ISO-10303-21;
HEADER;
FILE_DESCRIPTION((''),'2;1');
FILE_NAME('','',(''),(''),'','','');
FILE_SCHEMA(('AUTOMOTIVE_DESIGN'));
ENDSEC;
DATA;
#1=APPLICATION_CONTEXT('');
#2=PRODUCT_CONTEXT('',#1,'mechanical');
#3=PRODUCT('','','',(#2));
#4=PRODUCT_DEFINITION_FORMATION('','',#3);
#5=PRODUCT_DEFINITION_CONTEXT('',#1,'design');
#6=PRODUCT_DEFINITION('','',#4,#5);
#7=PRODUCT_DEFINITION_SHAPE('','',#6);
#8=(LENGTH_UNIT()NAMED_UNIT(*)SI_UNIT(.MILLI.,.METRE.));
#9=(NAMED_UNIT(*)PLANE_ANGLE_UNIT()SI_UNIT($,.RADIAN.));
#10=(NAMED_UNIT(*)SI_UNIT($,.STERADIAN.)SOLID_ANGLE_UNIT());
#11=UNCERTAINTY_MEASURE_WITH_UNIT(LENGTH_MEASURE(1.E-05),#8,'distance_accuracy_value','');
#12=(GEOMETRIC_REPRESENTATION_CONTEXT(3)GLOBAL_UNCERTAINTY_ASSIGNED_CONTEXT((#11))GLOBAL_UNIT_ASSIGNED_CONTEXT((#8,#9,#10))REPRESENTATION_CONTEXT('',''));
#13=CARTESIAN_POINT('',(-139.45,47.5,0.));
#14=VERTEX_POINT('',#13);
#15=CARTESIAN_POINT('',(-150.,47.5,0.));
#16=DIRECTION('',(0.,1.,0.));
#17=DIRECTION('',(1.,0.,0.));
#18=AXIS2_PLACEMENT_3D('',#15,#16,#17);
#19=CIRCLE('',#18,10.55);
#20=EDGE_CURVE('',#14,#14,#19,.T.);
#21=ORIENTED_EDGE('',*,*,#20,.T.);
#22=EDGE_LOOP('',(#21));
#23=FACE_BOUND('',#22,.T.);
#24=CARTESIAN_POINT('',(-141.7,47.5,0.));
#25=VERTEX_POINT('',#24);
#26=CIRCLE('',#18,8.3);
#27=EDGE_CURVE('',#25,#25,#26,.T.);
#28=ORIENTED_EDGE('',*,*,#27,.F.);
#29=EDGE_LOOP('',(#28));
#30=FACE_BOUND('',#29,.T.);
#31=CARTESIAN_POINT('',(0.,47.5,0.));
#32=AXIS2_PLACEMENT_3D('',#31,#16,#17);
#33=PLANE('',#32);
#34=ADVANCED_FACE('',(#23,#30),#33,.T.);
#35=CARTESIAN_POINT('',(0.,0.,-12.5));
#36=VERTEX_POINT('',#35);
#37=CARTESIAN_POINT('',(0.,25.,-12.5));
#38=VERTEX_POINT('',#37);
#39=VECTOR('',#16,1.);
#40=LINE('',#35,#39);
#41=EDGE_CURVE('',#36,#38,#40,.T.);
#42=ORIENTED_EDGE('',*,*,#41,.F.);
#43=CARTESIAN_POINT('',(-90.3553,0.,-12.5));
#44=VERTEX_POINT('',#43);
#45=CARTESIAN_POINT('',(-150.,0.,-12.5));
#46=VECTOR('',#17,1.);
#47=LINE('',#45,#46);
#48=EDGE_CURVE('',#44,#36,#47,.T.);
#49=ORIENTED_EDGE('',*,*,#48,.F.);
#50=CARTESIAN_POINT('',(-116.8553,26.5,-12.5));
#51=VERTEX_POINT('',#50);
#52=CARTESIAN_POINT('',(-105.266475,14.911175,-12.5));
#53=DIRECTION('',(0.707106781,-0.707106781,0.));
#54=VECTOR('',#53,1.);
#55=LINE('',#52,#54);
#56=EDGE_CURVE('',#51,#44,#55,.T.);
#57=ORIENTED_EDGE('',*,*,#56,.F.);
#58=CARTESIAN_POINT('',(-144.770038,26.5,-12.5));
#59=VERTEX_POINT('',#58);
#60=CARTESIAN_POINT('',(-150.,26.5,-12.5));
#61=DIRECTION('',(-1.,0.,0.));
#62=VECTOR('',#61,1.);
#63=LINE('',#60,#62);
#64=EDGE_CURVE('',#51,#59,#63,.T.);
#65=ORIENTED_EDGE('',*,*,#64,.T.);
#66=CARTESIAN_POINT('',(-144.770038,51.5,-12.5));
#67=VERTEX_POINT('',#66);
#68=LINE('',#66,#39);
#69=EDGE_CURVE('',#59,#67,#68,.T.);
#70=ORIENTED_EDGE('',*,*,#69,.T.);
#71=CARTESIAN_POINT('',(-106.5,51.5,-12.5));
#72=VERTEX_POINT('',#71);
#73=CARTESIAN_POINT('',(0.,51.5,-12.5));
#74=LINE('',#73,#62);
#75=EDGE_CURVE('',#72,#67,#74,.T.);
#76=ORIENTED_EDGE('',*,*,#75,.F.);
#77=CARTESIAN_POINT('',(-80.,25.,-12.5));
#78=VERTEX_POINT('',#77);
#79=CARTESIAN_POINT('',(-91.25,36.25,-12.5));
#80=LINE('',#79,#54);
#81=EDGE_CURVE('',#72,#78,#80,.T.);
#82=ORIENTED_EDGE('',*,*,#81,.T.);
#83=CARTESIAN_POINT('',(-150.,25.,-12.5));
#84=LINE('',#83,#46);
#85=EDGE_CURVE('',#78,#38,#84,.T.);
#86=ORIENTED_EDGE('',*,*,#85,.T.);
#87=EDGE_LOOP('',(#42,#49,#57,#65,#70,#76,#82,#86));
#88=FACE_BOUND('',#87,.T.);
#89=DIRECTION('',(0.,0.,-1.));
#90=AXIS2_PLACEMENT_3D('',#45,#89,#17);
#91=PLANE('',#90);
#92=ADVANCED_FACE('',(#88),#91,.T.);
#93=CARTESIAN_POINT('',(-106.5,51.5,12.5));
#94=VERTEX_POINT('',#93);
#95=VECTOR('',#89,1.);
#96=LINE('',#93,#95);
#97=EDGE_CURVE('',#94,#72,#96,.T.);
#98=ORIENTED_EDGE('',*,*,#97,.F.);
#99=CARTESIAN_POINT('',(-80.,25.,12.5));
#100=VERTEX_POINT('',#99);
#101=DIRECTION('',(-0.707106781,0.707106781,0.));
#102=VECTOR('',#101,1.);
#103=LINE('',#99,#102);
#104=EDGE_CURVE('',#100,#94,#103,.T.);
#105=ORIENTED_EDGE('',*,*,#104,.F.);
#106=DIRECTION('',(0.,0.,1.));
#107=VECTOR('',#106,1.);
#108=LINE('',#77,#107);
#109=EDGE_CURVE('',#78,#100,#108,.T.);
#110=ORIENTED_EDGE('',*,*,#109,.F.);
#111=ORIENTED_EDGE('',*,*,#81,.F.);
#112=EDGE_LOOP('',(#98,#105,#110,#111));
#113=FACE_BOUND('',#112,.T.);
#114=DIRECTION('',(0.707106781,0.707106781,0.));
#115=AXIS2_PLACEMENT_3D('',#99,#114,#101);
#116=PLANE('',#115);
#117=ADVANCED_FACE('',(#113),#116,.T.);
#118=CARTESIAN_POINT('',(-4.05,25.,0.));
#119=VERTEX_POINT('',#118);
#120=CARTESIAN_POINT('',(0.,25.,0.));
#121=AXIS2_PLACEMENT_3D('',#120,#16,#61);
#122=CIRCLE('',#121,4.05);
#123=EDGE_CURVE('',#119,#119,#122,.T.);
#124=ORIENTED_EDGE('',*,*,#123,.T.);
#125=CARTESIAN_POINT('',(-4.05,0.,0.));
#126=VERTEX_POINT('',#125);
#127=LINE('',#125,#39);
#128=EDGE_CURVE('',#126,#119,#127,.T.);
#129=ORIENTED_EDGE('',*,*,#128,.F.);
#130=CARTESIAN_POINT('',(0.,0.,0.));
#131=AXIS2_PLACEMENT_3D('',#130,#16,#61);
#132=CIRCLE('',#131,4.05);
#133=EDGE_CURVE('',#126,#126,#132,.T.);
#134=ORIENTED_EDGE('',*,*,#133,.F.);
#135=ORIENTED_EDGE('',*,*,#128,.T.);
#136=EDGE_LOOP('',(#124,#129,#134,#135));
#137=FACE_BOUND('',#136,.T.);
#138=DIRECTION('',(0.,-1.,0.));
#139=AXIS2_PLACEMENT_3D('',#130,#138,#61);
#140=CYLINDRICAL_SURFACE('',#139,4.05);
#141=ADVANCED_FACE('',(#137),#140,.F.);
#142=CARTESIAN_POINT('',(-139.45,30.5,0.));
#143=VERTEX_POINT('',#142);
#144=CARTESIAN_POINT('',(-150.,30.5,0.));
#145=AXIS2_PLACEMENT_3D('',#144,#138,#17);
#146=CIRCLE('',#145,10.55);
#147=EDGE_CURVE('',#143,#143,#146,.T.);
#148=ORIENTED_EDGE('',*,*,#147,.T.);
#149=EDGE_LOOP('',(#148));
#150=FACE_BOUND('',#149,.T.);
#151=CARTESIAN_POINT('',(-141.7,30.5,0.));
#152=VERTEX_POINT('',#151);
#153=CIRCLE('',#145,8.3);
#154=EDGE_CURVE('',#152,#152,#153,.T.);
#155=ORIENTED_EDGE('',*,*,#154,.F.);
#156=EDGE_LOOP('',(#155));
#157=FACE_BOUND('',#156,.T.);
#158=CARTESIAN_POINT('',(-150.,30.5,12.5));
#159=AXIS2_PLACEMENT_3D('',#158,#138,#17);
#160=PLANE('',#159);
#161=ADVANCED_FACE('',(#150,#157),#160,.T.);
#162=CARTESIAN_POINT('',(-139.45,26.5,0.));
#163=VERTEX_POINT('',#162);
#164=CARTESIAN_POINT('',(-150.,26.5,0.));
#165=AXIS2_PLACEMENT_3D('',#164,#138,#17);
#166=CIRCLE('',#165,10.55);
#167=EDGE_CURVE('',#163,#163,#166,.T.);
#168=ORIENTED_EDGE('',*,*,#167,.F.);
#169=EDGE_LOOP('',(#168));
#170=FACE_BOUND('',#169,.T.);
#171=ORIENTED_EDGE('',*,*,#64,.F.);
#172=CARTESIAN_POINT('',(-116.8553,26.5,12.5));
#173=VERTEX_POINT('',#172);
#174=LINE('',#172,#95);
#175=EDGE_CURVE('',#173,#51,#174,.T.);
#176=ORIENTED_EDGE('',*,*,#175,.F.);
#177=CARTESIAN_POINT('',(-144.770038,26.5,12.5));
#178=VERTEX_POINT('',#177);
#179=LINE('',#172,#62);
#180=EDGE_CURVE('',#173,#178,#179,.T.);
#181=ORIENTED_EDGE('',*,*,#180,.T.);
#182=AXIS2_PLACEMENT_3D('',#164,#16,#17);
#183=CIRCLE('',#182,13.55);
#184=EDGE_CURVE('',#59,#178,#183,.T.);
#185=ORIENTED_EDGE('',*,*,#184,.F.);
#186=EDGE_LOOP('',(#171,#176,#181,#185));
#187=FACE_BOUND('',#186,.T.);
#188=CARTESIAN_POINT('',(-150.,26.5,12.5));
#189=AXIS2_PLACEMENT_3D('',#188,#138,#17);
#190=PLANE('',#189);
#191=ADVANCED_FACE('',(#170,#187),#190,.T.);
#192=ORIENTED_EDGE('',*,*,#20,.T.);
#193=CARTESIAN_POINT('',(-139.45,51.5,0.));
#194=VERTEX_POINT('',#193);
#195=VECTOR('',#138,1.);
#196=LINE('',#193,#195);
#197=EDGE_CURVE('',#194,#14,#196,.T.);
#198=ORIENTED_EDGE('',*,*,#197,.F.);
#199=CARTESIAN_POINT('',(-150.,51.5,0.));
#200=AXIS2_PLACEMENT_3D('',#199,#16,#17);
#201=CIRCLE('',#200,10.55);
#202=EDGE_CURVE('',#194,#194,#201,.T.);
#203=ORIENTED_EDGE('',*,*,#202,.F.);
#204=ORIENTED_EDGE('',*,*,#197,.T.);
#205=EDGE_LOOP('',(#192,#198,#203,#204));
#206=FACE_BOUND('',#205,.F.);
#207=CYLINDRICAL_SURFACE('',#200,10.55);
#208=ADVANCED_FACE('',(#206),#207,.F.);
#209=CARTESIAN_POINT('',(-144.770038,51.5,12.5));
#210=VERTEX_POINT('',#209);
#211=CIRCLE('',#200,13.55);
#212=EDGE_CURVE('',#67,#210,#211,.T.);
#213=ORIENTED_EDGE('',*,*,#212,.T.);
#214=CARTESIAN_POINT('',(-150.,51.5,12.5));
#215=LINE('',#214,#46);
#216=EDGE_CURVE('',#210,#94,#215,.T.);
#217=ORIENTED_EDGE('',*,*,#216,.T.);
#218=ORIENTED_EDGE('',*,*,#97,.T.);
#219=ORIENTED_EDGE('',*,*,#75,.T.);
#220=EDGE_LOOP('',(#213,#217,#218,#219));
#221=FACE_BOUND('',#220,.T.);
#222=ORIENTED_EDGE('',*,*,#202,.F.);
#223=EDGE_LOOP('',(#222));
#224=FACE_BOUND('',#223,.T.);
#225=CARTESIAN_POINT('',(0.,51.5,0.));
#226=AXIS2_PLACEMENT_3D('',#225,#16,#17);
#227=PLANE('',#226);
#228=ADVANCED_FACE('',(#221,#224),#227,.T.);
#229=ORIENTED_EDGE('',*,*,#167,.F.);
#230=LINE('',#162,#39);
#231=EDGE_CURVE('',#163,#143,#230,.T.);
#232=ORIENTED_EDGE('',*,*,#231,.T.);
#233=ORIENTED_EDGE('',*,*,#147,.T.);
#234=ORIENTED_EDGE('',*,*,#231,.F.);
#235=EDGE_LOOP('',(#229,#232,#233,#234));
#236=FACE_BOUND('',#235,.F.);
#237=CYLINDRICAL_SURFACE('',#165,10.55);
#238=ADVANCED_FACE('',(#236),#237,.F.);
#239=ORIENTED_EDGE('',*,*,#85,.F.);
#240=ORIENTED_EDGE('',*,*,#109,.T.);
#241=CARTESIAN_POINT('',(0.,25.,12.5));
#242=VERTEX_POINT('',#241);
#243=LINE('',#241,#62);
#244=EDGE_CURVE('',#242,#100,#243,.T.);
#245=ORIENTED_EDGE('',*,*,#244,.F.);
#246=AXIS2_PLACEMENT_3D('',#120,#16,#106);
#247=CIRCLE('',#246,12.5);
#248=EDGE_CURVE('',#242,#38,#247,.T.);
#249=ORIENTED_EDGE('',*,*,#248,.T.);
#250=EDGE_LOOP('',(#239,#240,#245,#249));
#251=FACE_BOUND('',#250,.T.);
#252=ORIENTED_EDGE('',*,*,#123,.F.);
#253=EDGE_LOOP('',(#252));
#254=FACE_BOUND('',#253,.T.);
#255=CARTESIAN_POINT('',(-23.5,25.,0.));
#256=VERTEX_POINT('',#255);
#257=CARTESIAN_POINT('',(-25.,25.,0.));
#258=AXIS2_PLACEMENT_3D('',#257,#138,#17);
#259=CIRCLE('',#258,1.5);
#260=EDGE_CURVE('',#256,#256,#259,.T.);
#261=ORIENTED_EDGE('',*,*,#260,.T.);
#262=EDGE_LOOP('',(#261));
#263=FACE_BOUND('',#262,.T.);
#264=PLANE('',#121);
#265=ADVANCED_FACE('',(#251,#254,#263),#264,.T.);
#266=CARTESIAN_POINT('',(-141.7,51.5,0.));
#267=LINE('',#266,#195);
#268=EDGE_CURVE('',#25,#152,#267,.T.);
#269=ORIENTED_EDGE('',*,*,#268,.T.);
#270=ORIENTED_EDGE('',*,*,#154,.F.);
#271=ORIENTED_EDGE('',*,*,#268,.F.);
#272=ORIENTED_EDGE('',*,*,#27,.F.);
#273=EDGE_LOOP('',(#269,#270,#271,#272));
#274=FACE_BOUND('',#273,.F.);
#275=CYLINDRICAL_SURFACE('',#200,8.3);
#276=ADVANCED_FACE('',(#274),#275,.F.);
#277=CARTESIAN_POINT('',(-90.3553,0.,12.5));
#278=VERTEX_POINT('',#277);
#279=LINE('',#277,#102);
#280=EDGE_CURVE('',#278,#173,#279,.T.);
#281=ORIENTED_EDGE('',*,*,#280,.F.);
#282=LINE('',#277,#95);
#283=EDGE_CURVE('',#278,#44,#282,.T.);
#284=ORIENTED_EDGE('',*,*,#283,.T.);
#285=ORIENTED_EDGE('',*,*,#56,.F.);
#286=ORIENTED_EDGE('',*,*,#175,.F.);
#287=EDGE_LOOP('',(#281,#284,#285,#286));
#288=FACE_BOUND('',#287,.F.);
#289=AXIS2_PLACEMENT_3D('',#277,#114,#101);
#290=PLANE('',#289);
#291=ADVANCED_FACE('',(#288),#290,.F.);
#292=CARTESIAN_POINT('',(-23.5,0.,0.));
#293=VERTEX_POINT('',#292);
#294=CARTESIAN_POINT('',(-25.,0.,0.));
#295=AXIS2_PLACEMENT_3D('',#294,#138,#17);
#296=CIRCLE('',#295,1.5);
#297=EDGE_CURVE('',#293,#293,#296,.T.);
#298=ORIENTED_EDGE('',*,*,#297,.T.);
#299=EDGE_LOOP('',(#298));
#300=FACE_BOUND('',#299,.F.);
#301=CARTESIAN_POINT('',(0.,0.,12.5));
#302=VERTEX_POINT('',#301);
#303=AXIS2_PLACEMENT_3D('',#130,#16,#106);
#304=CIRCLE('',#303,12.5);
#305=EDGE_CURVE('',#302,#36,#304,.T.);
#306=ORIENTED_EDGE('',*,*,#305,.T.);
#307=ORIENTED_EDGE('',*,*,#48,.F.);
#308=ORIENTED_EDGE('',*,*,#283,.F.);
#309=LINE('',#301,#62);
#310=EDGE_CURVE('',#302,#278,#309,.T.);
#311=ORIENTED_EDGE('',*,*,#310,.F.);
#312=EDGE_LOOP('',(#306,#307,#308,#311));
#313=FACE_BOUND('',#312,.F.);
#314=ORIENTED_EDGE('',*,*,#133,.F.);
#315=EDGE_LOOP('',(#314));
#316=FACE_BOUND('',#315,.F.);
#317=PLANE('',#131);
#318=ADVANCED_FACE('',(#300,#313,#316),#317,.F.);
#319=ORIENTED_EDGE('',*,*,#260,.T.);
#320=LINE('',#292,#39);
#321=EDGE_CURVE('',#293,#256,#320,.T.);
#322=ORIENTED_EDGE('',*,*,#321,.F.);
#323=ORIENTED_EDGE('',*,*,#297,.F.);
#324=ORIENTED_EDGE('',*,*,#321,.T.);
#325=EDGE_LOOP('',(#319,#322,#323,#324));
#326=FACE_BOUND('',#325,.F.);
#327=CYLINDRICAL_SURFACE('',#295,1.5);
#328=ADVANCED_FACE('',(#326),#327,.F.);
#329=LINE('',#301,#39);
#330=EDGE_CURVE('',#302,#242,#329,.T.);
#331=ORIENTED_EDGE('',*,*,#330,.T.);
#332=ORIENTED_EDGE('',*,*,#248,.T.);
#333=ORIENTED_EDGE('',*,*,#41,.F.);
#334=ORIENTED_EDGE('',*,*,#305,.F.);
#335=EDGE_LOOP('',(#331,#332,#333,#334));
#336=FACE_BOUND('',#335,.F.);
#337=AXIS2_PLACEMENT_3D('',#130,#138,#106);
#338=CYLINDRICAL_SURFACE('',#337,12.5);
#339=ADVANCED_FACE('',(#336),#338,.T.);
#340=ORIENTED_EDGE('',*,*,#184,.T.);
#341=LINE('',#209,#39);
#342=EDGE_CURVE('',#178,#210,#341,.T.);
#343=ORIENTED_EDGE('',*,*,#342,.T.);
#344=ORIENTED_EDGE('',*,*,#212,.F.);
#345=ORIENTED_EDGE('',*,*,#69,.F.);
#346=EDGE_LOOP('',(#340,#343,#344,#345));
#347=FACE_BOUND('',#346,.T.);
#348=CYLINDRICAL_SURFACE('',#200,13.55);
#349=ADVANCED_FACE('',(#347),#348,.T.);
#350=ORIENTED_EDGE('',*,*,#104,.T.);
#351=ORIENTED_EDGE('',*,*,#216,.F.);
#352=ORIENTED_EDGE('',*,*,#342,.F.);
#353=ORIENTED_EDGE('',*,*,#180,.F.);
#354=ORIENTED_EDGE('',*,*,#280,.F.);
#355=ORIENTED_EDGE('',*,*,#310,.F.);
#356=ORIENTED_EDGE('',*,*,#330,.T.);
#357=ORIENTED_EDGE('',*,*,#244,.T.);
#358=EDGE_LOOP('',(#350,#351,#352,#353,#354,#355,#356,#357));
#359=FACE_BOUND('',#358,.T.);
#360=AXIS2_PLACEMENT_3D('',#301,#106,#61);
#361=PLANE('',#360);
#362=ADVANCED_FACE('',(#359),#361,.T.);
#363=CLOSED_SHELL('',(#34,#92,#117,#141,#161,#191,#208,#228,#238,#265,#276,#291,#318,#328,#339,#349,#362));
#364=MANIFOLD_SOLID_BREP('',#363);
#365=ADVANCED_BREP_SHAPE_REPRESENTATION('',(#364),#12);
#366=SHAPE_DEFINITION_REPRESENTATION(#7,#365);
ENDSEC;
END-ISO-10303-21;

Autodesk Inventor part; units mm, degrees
ref_plane "YZ Plane" through (0, 0, 0) normal (1, 0, 0) x (0, 1, 0)
ref_plane "XZ Plane" through (0, 0, 0) normal (0, 1, 0) x (-1, 0, 0)
ref_plane "XY Plane" through (0, 0, 0) normal (0, 0, 1) x (1, 0, 0)
sketch "Sketch1" plane through (0, 0, 0) normal (0, 1, 0) x (-1, 0, 0)
  circle A0 centre (0, 0) radius 4.05
  line L0 (0, 12.5) -> (150, 12.5)
  arc A1 (150, -12.5) -> (150, 12.5) centre (150, 0) ccw
  line L1 (150, -12.5) -> (0, -12.5)
  arc A2 (0, 12.5) -> (0, -12.5) centre (0, 0) ccw
  dimension "d0" = 150
  dimension "d2" = 12.5
  dimension "d3" = 8.1
extrude "Extrusion1" add sketch "Sketch1" along normal blind 25
sketch "Sketch2" plane through (0, 25, 0) normal (0, 1, 0) x (1, 0, 0)
  circle A0 centre (0, 0) radius 4.05 projected
  line L0 (-150, -12.5) -> (0, -12.5) projected
  line L1 (0, 12.5) -> (-150, 12.5) projected
  arc A1 (-150, 12.5) -> (-150, -12.5) centre (-150, 0) ccw projected
  line L2 (-80, 12.5) -> (-80, -12.5)
  dimension "d6" = 80
extrude "Extrusion2" add sketch "Sketch2" along normal blind 26.5 contours A1 L1 L2 L0
sketch "Sketch3" plane through (-150, 0, 12.5) normal (0, 0, 1) x (1, 0, 0)
  line L0 (150, 0) -> (0, 0) projected
  line L1 (70, 25) -> (70, 51.5) projected
  line L2 (0, 51.5) -> (70, 51.5) projected
  line L3 (70, 25) -> (43.5, 51.5)
  line L4 (59.6447, 0) -> (33.1447, 26.5)
  line L5 (70, 51.5) -> (70, 25) projected
  line L6 (70, 25) -> (150, 25) projected
  line L7 (150, 0) -> (150, 25) projected
  line L8 (150, 0) -> (0, 0) projected
  line L9 (0, 0) -> (0, 51.5) projected
  line L10 (-12.5, 0) -> (-12.5, 51.5) projected
  line L11 (-12.5, 26.5) -> (33.1447, 26.5)
  line L12 (-12.5, 26.5) -> (-12.5, 0)
  line L13 (59.6447, 0) -> (-12.5, 0)
  line L14 (0, 51.5) -> (70, 51.5) projected
  dimension "d9" = 45
  dimension "d10" = 25
  dimension "d11" = 25
extrude "Extrusion3" cut sketch "Sketch3" against normal through all contours L0 L9 L11 L4 | L13 L10 L11 L9
sketch "Sketch4" plane through (0, 0, 12.5) normal (0, 0, 1) x (1, 0, 0)
  line L0 (-116.8553, 26.5) -> (-90.3553, 0) projected
  line L1 (-80, 25) -> (-80, 51.5) projected
  line L2 (-150, 51.5) -> (-80, 51.5) projected
  line L3 (-80, 25) -> (-106.5, 51.5)
extrude "Extrusion4" cut sketch "Sketch4" against normal through all
sketch "Sketch5" plane through (0, 51.5, 0) normal (0, 1, 0) x (1, 0, 0)
  arc A0 (-150, 12.5) -> (-150, -12.5) centre (-150, 0) ccw projected
  circle A1 centre (-150, 0) radius 8.3
  point P0 (0, 0)
  dimension "d20" = 16.6
extrude "Extrusion5" cut sketch "Sketch5" against normal through all
sketch "Sketch6" plane through (0, 51.5, 0) normal (0, 1, 0) x (1, 0, 0)
  circle A0 centre (-150, 0) radius 8.3 projected
  arc A1 (-150, 12.5) -> (-150, -12.5) centre (-150, 0) ccw projected
  circle A2 centre (-150, 0) radius 10.55
  point P0 (0, 0)
  dimension "d26" = 21.1
extrude "Extrusion6" cut sketch "Sketch6" against normal blind 4
sketch "Sketch7" plane through (-150, 26.5, 12.5) normal (0, -1, 0) x (1, 0, 0)
  circle A0 centre (0, -12.5) radius 8.3 projected
  circle A1 centre (0, -12.5) radius 10.55 projected
  point P0 (150, -12.5)
extrude "Extrusion7" cut sketch "Sketch7" against normal blind 4
sketch "Sketch8" plane through (0, 51.5, 0) normal (0, 1, 0) x (1, 0, 0)
  circle A0 centre (-150, 0) radius 10.55 projected
  arc A1 (-150, 12.5) -> (-150, -12.5) centre (-150, 0) ccw projected
  circle A2 centre (-150, 0) radius 13.55
  point P0 (0, 0)
  dimension "d32" = 3
extrude "Extrusion8" add sketch "Sketch8" against normal up to surface (25 mm away)
sketch "Sketch9" plane through (0, 0, 0) normal (0, -1, 0) x (1, 0, 0)
  line L0 (0, 12.5) -> (-90.3553, 12.5) projected
  circle A0 centre (0, 0) radius 4.05 projected
  line L1 (0, 0) -> (-25, 0)
  circle A1 centre (-25, 0) radius 1.5
  dimension "d35" = 25
  dimension "d36" = 3
extrude "Extrusion9" cut sketch "Sketch9" against normal through all contours A1
sketch "Sketch14" plane through (0, 51.5, 0) normal (0, 1, 0) x (1, 0, 0)
  line L0 (-106.5, 12.5) -> (-144.77, 12.5) projected
  arc A0 (-144.77, 12.5) -> (-144.77, -12.5) centre (-150, 0) ccw projected
  line L1 (-144.77, -12.5) -> (-155.23, -12.5)
  point P0 (0, 0)
sketch "Sketch15" plane through (0, 51.5, 0) normal (0, 1, 0) x (1, 0, 0)
  line L0 (-106.5, 12.5) -> (-144.77, 12.5) projected
  arc A0 (-144.77, 12.5) -> (-155.23, -12.5) centre (-150, 0) ccw projected
  line L1 (-155.23, -12.5) -> (-158.4293, -12.5)
  line L2 (-158.4293, -12.5) -> (-161.7346, -6.775)
  point P0 (0, 0)
  dimension "d52" = 120
sketch "Sketch16" plane through (0, 25, 0) normal (0, 1, 0) x (1, 0, 0)
  arc A0 (0, -12.5) -> (0, 12.5) centre (0, 0) ccw projected
  line L0 (0, 12.5) -> (-80, 12.5) projected
  line L1 (0, -12.5) -> (7.2169, -12.5)
  line L2 (7.2169, -12.5) -> (10.8253, -6.25)
  dimension "d55" = 120
properties part number "xy forearm"
